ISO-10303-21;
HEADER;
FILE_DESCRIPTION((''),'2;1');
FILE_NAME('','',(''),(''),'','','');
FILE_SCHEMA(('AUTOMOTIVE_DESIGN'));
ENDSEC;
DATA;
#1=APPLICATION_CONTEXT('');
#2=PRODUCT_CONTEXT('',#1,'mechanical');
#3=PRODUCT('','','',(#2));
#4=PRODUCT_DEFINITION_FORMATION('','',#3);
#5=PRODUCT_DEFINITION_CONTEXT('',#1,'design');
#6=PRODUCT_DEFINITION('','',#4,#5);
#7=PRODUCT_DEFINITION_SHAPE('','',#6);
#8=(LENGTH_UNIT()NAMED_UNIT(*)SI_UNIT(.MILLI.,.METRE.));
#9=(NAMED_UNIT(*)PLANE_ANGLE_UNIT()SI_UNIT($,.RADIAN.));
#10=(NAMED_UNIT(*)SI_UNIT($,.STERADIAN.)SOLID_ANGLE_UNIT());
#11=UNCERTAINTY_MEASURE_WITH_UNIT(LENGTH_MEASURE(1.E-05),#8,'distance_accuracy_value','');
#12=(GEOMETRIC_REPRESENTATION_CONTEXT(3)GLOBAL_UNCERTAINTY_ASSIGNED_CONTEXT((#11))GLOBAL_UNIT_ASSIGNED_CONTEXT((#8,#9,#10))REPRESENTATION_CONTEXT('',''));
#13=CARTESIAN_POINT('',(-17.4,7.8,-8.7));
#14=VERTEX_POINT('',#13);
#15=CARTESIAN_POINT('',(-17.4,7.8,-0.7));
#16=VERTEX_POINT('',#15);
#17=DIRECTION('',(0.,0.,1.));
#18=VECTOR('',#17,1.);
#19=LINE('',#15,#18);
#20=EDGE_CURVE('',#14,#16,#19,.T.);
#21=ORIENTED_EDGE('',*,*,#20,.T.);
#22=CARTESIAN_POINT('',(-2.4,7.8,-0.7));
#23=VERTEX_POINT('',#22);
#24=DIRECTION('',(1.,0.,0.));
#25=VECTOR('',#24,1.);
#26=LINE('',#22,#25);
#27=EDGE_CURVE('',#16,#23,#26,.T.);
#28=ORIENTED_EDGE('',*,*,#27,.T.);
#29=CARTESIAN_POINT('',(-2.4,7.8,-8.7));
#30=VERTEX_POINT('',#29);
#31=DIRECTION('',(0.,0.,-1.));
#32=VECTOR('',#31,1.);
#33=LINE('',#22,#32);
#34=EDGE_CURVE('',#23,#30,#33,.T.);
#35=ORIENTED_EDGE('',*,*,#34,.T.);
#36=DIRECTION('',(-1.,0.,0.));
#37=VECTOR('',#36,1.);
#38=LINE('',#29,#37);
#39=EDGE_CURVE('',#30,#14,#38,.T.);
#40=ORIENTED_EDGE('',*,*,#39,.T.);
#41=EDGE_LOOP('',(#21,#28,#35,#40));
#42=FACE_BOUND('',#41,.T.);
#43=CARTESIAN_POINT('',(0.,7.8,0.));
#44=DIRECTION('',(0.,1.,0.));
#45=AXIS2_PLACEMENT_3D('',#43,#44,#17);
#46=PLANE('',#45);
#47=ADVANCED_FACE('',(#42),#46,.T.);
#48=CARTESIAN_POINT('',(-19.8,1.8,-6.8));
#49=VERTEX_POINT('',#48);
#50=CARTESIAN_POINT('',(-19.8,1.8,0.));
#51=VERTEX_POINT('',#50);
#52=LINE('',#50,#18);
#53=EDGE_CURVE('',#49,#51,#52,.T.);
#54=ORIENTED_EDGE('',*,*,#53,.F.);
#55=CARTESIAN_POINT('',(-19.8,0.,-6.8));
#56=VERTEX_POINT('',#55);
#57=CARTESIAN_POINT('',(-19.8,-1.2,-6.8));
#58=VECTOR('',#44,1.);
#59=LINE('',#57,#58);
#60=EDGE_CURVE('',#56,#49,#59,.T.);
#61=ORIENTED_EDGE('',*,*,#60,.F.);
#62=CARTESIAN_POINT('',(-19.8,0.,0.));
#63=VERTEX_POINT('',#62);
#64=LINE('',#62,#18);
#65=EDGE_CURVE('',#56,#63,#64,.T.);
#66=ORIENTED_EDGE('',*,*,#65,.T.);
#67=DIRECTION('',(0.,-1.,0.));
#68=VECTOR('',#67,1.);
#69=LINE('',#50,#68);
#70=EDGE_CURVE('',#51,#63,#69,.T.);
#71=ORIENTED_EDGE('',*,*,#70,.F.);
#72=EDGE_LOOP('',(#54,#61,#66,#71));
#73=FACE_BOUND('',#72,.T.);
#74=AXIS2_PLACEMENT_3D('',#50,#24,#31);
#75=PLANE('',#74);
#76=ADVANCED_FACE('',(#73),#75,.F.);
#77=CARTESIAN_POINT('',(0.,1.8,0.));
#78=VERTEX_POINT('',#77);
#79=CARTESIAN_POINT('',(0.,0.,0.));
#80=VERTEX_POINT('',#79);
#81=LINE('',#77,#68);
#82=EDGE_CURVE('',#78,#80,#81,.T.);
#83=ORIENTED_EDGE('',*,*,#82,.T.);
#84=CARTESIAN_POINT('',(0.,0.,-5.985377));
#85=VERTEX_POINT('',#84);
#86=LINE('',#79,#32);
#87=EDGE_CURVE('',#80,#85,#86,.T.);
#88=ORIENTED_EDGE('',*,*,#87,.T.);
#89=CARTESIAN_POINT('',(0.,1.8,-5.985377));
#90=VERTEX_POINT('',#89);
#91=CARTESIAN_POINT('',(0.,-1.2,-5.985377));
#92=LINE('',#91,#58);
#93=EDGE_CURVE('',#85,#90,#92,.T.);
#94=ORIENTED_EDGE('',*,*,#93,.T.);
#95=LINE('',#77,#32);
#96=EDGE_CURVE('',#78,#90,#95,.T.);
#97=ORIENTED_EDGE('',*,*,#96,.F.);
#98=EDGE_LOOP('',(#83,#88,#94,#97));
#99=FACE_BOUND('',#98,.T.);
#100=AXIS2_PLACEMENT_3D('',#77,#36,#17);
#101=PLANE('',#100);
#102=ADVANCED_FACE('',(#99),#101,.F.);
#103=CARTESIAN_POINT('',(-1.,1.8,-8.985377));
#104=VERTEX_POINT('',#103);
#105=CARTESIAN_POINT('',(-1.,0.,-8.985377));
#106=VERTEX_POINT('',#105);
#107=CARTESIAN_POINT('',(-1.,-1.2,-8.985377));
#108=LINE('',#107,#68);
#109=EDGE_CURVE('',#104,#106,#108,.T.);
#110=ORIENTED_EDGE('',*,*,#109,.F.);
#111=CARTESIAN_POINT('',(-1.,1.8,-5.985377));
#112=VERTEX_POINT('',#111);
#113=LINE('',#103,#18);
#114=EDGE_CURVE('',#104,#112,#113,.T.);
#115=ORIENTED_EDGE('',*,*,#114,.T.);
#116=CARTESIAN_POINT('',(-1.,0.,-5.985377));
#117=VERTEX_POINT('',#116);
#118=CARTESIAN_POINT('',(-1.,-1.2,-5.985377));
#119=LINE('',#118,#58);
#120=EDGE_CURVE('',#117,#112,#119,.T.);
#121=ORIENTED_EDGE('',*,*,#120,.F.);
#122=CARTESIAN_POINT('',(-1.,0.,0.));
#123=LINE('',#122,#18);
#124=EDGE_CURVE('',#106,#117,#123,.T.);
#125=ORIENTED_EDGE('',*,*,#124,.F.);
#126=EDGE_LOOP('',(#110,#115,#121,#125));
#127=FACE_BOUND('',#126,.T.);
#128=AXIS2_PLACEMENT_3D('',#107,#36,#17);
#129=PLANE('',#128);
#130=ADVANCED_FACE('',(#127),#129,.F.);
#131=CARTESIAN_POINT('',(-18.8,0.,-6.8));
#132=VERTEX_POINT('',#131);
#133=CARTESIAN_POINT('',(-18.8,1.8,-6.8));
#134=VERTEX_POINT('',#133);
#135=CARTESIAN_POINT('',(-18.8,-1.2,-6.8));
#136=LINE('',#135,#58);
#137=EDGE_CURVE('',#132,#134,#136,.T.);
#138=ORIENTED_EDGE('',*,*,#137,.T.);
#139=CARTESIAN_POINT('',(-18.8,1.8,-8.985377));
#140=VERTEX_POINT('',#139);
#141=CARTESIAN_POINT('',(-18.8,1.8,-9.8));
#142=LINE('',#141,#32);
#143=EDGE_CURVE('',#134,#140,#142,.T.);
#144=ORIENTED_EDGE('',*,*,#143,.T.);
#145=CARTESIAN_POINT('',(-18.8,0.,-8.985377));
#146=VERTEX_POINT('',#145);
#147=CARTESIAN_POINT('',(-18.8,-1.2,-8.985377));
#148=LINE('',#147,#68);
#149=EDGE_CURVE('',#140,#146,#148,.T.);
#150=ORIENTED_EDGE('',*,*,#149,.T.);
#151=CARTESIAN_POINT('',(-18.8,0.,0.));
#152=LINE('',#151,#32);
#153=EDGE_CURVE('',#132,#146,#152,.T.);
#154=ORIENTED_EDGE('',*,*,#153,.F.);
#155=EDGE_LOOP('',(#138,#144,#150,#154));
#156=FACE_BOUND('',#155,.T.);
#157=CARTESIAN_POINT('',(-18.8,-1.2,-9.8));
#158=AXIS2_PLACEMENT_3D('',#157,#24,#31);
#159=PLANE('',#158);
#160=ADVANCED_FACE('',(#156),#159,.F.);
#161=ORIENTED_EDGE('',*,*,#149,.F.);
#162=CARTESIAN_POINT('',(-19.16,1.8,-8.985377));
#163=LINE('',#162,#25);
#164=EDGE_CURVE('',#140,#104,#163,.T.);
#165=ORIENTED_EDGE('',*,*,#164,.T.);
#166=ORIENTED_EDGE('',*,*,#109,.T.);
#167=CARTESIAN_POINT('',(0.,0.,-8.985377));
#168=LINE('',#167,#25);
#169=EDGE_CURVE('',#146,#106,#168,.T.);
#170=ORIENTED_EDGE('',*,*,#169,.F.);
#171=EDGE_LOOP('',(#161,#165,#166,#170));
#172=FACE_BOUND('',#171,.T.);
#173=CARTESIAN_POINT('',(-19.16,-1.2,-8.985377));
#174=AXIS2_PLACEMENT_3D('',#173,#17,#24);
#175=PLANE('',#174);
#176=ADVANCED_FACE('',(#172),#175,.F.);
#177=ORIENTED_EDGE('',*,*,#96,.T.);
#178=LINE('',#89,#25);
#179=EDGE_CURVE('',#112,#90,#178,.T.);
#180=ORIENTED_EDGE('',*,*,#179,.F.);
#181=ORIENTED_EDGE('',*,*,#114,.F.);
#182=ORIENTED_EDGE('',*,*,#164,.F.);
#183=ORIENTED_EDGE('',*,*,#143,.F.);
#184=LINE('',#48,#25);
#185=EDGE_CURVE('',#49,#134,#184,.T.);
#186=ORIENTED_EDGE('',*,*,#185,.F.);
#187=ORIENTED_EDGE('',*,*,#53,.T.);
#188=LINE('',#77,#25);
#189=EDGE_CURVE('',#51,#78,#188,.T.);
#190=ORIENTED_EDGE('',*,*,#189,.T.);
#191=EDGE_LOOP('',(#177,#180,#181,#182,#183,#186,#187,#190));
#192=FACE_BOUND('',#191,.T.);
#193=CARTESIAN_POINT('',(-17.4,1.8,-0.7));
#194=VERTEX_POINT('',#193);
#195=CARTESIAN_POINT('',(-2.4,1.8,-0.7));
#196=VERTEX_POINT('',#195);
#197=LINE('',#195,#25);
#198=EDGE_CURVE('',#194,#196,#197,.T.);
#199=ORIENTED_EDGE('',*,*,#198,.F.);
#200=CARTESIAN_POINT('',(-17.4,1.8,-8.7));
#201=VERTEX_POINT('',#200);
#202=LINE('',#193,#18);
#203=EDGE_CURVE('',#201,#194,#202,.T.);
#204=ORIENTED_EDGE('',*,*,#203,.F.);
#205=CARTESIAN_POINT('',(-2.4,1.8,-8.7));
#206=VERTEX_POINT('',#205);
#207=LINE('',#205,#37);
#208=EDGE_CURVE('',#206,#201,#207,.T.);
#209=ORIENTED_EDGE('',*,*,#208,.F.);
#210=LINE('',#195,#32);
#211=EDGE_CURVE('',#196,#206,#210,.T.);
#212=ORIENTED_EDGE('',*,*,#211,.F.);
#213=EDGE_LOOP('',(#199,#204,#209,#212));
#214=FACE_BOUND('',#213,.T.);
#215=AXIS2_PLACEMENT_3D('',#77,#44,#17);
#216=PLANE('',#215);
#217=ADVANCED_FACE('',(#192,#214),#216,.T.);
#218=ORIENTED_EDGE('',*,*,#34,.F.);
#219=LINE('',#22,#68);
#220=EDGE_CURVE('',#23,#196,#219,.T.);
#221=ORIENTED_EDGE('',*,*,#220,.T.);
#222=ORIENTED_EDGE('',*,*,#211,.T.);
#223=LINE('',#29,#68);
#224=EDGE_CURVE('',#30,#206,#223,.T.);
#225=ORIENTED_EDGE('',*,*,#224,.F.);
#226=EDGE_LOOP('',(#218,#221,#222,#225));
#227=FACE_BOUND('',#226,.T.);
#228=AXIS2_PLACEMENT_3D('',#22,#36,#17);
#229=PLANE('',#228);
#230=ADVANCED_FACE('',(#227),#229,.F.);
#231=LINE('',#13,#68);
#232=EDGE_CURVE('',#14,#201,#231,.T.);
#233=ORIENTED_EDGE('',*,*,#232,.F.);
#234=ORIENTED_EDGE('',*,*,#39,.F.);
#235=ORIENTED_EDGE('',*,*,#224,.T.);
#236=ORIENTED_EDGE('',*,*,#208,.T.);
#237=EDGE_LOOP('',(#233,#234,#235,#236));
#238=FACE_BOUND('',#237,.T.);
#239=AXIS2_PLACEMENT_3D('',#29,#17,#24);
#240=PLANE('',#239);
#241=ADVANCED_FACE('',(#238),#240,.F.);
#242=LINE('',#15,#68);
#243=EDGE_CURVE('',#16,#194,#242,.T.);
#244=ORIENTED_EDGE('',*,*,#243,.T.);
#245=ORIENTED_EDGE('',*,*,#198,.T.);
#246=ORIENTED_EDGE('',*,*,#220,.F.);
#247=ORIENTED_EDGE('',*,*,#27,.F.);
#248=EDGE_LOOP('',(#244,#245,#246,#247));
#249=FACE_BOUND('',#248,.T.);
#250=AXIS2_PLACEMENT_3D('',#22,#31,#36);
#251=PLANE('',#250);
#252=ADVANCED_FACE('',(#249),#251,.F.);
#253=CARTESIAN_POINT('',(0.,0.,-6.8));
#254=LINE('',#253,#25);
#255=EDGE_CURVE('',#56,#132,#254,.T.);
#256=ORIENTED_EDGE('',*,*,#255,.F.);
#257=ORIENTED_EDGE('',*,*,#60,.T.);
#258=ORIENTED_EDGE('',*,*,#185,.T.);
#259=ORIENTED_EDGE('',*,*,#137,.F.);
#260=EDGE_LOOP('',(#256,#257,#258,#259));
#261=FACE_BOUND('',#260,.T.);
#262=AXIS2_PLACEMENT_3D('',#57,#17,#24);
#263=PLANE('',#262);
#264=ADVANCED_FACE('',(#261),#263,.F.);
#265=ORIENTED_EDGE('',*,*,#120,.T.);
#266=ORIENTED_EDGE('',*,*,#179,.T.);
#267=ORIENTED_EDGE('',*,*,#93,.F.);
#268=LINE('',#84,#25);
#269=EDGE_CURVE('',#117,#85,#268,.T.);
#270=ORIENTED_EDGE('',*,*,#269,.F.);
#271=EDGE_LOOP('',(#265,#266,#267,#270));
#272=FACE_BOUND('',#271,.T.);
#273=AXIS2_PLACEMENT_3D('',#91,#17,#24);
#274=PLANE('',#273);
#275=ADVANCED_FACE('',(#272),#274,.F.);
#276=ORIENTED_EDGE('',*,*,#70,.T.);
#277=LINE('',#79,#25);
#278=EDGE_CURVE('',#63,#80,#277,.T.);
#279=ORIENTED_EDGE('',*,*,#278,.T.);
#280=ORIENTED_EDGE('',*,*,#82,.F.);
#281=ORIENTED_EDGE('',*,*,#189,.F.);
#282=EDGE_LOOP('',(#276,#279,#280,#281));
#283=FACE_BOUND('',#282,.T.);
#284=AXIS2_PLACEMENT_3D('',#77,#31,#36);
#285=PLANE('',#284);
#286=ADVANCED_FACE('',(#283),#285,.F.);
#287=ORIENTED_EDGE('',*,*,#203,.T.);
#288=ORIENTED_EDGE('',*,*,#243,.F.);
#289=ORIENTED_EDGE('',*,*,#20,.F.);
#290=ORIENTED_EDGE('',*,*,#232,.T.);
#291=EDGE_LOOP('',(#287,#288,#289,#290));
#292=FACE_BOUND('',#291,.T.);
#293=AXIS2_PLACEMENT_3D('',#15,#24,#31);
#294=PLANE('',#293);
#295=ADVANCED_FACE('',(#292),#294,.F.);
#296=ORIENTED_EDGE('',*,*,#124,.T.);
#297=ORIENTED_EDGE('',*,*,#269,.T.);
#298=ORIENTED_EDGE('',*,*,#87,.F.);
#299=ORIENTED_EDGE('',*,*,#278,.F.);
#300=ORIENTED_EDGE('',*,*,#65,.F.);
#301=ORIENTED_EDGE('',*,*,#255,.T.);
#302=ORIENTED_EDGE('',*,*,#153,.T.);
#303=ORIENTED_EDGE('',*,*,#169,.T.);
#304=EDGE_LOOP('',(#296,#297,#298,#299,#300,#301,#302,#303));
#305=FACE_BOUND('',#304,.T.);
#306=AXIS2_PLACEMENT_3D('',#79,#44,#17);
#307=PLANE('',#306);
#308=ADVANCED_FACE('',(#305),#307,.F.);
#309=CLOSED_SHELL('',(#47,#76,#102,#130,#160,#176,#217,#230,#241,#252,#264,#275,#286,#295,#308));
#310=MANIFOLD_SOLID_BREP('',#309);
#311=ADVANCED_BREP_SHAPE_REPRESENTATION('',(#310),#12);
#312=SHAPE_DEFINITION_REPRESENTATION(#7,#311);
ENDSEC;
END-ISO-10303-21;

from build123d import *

# Parameters (mm, degrees)
SKETCH_1_W          = 19.8
SKETCH_1_H          = 9.8
EXTRUDE_1_DEPTH     = 1.8
SKETCH_2_W          = 15
SKETCH_2_H          = 8
EXTRUDE_2_DEPTH     = 6
SKETCH_3_W          = 1
SKETCH_3_H          = 3
CUT_EXTRUDE_1_DEPTH = 3
SKETCH_4_W          = 19.16
SKETCH_4_H          = 0.95
CUT_EXTRUDE_2_DEPTH = 3
SKETCH_7_W          = 1
SKETCH_7_H          = 3
CUT_EXTRUDE_4_DEPTH = 3


with BuildPart() as part:
    # 草图1 → 凸台-拉伸1 (new body)
    with BuildSketch(Plane(origin=(0, 0, 0), x_dir=(1, 0, 0), z_dir=(0, 1, 0))):
        with Locations((-9.9, 4.9)):
            Rectangle(SKETCH_1_W, SKETCH_1_H)
    extrude(amount=EXTRUDE_1_DEPTH)

    # 草图2 → 凸台-拉伸2 (add)
    with BuildSketch(Plane(origin=(0, 1.8, 0), x_dir=(1, 0, 0), z_dir=(0, 1, 0))):
        with Locations((-9.9, 4.7)):
            Rectangle(SKETCH_2_W, SKETCH_2_H)
    extrude(amount=EXTRUDE_2_DEPTH)

    # 草图3 → 切除-拉伸1 (cut)
    with BuildSketch(Plane(origin=(0, 1.8, 0), x_dir=(1, 0, 0), z_dir=(0, 1, 0))):
        with Locations((-19.3, 8.3)):
            Rectangle(SKETCH_3_W, SKETCH_3_H)
    extrude(amount=-CUT_EXTRUDE_1_DEPTH, mode=Mode.SUBTRACT)

    # 草图4 → 切除-拉伸2 (cut)
    with BuildSketch(Plane(origin=(0, 1.8, 0), x_dir=(1, 0, 0), z_dir=(0, 1, 0))):
        with Locations((-9.58, 9.460376994)):
            Rectangle(SKETCH_4_W, SKETCH_4_H)
    extrude(amount=-CUT_EXTRUDE_2_DEPTH, mode=Mode.SUBTRACT)

    # 草图7 → 切除-拉伸4 (cut)
    with BuildSketch(Plane(origin=(0, 1.8, 0), x_dir=(1, 0, 0), z_dir=(0, 1, 0))):
        with Locations((-0.5, 7.485376994)):
            Rectangle(SKETCH_7_W, SKETCH_7_H)
    extrude(amount=-CUT_EXTRUDE_4_DEPTH, mode=Mode.SUBTRACT)


solid = part.part
